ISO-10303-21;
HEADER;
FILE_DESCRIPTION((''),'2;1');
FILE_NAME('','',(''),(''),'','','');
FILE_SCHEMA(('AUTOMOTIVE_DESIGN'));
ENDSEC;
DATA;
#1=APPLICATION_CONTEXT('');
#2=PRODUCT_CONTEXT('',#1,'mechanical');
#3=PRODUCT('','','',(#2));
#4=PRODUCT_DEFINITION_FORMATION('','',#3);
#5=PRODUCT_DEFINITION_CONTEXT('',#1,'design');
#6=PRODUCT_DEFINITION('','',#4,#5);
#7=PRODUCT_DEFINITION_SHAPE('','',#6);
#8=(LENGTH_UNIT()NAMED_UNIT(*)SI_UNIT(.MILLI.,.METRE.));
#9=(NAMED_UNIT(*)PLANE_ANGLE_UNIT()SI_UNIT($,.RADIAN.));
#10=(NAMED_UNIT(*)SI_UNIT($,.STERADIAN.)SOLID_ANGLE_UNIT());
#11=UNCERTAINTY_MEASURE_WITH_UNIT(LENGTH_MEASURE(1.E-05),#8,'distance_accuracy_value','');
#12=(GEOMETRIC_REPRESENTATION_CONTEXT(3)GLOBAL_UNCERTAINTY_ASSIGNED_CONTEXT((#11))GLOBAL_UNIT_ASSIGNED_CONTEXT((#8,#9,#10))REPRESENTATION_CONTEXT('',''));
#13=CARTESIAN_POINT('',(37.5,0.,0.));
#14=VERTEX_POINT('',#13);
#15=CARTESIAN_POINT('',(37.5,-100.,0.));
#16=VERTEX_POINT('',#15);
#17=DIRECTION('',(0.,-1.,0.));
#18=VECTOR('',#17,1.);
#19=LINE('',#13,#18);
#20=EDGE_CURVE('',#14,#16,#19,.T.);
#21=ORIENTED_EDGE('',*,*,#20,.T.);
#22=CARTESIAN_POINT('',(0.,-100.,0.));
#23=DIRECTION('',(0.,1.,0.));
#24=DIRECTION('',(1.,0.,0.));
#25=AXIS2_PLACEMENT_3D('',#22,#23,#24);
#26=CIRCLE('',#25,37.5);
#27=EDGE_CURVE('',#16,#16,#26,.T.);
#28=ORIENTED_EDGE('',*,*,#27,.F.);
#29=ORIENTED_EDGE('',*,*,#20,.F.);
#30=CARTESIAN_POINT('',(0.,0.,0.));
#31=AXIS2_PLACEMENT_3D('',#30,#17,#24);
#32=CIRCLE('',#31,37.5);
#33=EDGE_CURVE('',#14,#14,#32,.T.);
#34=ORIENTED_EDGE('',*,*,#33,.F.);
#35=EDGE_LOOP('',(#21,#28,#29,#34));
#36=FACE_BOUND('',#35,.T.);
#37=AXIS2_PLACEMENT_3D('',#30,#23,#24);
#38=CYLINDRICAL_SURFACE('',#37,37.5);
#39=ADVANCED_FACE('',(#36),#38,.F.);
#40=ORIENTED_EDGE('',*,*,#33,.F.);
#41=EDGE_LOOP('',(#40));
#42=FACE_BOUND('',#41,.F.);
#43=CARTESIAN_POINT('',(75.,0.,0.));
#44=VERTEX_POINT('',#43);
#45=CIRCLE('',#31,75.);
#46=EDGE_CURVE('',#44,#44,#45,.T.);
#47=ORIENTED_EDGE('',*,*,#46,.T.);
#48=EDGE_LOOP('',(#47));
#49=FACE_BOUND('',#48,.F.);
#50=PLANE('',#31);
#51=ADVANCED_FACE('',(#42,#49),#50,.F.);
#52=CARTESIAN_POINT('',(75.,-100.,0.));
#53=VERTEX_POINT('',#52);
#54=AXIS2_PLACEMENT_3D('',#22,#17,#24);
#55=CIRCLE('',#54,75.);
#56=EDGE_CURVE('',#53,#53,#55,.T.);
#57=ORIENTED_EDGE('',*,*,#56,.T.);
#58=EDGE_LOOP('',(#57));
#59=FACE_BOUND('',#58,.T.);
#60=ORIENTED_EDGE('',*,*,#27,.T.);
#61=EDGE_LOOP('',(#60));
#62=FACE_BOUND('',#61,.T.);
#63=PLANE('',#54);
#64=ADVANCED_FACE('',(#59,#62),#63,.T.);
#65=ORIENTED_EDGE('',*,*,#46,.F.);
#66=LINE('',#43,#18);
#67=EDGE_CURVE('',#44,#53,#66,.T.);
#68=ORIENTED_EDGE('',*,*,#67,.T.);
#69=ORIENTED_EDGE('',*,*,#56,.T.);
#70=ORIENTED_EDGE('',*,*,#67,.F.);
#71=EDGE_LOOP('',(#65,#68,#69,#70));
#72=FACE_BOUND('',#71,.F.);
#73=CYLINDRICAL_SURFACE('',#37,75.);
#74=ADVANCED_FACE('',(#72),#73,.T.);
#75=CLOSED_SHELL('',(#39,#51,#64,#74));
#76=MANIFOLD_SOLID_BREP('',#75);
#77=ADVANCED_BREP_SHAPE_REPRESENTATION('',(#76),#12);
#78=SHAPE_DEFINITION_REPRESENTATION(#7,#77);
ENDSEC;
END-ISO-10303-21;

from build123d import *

# Parameters (mm, degrees)
F0_R     = 75
F2_DEPTH = 100
F1_R     = 37.5
F3_DEPTH = 100.001


with BuildPart() as f2:
    # F0 (on Front) → F2 (new body)
    with BuildSketch(Plane.XZ):
        Circle(F0_R)
    extrude(amount=F2_DEPTH)

    # F1 (on face) → F3 (cut, through all)
    with BuildSketch(Plane.XZ):
        Circle(F1_R)
    extrude(amount=F3_DEPTH, mode=Mode.SUBTRACT)


solid = f2.part
